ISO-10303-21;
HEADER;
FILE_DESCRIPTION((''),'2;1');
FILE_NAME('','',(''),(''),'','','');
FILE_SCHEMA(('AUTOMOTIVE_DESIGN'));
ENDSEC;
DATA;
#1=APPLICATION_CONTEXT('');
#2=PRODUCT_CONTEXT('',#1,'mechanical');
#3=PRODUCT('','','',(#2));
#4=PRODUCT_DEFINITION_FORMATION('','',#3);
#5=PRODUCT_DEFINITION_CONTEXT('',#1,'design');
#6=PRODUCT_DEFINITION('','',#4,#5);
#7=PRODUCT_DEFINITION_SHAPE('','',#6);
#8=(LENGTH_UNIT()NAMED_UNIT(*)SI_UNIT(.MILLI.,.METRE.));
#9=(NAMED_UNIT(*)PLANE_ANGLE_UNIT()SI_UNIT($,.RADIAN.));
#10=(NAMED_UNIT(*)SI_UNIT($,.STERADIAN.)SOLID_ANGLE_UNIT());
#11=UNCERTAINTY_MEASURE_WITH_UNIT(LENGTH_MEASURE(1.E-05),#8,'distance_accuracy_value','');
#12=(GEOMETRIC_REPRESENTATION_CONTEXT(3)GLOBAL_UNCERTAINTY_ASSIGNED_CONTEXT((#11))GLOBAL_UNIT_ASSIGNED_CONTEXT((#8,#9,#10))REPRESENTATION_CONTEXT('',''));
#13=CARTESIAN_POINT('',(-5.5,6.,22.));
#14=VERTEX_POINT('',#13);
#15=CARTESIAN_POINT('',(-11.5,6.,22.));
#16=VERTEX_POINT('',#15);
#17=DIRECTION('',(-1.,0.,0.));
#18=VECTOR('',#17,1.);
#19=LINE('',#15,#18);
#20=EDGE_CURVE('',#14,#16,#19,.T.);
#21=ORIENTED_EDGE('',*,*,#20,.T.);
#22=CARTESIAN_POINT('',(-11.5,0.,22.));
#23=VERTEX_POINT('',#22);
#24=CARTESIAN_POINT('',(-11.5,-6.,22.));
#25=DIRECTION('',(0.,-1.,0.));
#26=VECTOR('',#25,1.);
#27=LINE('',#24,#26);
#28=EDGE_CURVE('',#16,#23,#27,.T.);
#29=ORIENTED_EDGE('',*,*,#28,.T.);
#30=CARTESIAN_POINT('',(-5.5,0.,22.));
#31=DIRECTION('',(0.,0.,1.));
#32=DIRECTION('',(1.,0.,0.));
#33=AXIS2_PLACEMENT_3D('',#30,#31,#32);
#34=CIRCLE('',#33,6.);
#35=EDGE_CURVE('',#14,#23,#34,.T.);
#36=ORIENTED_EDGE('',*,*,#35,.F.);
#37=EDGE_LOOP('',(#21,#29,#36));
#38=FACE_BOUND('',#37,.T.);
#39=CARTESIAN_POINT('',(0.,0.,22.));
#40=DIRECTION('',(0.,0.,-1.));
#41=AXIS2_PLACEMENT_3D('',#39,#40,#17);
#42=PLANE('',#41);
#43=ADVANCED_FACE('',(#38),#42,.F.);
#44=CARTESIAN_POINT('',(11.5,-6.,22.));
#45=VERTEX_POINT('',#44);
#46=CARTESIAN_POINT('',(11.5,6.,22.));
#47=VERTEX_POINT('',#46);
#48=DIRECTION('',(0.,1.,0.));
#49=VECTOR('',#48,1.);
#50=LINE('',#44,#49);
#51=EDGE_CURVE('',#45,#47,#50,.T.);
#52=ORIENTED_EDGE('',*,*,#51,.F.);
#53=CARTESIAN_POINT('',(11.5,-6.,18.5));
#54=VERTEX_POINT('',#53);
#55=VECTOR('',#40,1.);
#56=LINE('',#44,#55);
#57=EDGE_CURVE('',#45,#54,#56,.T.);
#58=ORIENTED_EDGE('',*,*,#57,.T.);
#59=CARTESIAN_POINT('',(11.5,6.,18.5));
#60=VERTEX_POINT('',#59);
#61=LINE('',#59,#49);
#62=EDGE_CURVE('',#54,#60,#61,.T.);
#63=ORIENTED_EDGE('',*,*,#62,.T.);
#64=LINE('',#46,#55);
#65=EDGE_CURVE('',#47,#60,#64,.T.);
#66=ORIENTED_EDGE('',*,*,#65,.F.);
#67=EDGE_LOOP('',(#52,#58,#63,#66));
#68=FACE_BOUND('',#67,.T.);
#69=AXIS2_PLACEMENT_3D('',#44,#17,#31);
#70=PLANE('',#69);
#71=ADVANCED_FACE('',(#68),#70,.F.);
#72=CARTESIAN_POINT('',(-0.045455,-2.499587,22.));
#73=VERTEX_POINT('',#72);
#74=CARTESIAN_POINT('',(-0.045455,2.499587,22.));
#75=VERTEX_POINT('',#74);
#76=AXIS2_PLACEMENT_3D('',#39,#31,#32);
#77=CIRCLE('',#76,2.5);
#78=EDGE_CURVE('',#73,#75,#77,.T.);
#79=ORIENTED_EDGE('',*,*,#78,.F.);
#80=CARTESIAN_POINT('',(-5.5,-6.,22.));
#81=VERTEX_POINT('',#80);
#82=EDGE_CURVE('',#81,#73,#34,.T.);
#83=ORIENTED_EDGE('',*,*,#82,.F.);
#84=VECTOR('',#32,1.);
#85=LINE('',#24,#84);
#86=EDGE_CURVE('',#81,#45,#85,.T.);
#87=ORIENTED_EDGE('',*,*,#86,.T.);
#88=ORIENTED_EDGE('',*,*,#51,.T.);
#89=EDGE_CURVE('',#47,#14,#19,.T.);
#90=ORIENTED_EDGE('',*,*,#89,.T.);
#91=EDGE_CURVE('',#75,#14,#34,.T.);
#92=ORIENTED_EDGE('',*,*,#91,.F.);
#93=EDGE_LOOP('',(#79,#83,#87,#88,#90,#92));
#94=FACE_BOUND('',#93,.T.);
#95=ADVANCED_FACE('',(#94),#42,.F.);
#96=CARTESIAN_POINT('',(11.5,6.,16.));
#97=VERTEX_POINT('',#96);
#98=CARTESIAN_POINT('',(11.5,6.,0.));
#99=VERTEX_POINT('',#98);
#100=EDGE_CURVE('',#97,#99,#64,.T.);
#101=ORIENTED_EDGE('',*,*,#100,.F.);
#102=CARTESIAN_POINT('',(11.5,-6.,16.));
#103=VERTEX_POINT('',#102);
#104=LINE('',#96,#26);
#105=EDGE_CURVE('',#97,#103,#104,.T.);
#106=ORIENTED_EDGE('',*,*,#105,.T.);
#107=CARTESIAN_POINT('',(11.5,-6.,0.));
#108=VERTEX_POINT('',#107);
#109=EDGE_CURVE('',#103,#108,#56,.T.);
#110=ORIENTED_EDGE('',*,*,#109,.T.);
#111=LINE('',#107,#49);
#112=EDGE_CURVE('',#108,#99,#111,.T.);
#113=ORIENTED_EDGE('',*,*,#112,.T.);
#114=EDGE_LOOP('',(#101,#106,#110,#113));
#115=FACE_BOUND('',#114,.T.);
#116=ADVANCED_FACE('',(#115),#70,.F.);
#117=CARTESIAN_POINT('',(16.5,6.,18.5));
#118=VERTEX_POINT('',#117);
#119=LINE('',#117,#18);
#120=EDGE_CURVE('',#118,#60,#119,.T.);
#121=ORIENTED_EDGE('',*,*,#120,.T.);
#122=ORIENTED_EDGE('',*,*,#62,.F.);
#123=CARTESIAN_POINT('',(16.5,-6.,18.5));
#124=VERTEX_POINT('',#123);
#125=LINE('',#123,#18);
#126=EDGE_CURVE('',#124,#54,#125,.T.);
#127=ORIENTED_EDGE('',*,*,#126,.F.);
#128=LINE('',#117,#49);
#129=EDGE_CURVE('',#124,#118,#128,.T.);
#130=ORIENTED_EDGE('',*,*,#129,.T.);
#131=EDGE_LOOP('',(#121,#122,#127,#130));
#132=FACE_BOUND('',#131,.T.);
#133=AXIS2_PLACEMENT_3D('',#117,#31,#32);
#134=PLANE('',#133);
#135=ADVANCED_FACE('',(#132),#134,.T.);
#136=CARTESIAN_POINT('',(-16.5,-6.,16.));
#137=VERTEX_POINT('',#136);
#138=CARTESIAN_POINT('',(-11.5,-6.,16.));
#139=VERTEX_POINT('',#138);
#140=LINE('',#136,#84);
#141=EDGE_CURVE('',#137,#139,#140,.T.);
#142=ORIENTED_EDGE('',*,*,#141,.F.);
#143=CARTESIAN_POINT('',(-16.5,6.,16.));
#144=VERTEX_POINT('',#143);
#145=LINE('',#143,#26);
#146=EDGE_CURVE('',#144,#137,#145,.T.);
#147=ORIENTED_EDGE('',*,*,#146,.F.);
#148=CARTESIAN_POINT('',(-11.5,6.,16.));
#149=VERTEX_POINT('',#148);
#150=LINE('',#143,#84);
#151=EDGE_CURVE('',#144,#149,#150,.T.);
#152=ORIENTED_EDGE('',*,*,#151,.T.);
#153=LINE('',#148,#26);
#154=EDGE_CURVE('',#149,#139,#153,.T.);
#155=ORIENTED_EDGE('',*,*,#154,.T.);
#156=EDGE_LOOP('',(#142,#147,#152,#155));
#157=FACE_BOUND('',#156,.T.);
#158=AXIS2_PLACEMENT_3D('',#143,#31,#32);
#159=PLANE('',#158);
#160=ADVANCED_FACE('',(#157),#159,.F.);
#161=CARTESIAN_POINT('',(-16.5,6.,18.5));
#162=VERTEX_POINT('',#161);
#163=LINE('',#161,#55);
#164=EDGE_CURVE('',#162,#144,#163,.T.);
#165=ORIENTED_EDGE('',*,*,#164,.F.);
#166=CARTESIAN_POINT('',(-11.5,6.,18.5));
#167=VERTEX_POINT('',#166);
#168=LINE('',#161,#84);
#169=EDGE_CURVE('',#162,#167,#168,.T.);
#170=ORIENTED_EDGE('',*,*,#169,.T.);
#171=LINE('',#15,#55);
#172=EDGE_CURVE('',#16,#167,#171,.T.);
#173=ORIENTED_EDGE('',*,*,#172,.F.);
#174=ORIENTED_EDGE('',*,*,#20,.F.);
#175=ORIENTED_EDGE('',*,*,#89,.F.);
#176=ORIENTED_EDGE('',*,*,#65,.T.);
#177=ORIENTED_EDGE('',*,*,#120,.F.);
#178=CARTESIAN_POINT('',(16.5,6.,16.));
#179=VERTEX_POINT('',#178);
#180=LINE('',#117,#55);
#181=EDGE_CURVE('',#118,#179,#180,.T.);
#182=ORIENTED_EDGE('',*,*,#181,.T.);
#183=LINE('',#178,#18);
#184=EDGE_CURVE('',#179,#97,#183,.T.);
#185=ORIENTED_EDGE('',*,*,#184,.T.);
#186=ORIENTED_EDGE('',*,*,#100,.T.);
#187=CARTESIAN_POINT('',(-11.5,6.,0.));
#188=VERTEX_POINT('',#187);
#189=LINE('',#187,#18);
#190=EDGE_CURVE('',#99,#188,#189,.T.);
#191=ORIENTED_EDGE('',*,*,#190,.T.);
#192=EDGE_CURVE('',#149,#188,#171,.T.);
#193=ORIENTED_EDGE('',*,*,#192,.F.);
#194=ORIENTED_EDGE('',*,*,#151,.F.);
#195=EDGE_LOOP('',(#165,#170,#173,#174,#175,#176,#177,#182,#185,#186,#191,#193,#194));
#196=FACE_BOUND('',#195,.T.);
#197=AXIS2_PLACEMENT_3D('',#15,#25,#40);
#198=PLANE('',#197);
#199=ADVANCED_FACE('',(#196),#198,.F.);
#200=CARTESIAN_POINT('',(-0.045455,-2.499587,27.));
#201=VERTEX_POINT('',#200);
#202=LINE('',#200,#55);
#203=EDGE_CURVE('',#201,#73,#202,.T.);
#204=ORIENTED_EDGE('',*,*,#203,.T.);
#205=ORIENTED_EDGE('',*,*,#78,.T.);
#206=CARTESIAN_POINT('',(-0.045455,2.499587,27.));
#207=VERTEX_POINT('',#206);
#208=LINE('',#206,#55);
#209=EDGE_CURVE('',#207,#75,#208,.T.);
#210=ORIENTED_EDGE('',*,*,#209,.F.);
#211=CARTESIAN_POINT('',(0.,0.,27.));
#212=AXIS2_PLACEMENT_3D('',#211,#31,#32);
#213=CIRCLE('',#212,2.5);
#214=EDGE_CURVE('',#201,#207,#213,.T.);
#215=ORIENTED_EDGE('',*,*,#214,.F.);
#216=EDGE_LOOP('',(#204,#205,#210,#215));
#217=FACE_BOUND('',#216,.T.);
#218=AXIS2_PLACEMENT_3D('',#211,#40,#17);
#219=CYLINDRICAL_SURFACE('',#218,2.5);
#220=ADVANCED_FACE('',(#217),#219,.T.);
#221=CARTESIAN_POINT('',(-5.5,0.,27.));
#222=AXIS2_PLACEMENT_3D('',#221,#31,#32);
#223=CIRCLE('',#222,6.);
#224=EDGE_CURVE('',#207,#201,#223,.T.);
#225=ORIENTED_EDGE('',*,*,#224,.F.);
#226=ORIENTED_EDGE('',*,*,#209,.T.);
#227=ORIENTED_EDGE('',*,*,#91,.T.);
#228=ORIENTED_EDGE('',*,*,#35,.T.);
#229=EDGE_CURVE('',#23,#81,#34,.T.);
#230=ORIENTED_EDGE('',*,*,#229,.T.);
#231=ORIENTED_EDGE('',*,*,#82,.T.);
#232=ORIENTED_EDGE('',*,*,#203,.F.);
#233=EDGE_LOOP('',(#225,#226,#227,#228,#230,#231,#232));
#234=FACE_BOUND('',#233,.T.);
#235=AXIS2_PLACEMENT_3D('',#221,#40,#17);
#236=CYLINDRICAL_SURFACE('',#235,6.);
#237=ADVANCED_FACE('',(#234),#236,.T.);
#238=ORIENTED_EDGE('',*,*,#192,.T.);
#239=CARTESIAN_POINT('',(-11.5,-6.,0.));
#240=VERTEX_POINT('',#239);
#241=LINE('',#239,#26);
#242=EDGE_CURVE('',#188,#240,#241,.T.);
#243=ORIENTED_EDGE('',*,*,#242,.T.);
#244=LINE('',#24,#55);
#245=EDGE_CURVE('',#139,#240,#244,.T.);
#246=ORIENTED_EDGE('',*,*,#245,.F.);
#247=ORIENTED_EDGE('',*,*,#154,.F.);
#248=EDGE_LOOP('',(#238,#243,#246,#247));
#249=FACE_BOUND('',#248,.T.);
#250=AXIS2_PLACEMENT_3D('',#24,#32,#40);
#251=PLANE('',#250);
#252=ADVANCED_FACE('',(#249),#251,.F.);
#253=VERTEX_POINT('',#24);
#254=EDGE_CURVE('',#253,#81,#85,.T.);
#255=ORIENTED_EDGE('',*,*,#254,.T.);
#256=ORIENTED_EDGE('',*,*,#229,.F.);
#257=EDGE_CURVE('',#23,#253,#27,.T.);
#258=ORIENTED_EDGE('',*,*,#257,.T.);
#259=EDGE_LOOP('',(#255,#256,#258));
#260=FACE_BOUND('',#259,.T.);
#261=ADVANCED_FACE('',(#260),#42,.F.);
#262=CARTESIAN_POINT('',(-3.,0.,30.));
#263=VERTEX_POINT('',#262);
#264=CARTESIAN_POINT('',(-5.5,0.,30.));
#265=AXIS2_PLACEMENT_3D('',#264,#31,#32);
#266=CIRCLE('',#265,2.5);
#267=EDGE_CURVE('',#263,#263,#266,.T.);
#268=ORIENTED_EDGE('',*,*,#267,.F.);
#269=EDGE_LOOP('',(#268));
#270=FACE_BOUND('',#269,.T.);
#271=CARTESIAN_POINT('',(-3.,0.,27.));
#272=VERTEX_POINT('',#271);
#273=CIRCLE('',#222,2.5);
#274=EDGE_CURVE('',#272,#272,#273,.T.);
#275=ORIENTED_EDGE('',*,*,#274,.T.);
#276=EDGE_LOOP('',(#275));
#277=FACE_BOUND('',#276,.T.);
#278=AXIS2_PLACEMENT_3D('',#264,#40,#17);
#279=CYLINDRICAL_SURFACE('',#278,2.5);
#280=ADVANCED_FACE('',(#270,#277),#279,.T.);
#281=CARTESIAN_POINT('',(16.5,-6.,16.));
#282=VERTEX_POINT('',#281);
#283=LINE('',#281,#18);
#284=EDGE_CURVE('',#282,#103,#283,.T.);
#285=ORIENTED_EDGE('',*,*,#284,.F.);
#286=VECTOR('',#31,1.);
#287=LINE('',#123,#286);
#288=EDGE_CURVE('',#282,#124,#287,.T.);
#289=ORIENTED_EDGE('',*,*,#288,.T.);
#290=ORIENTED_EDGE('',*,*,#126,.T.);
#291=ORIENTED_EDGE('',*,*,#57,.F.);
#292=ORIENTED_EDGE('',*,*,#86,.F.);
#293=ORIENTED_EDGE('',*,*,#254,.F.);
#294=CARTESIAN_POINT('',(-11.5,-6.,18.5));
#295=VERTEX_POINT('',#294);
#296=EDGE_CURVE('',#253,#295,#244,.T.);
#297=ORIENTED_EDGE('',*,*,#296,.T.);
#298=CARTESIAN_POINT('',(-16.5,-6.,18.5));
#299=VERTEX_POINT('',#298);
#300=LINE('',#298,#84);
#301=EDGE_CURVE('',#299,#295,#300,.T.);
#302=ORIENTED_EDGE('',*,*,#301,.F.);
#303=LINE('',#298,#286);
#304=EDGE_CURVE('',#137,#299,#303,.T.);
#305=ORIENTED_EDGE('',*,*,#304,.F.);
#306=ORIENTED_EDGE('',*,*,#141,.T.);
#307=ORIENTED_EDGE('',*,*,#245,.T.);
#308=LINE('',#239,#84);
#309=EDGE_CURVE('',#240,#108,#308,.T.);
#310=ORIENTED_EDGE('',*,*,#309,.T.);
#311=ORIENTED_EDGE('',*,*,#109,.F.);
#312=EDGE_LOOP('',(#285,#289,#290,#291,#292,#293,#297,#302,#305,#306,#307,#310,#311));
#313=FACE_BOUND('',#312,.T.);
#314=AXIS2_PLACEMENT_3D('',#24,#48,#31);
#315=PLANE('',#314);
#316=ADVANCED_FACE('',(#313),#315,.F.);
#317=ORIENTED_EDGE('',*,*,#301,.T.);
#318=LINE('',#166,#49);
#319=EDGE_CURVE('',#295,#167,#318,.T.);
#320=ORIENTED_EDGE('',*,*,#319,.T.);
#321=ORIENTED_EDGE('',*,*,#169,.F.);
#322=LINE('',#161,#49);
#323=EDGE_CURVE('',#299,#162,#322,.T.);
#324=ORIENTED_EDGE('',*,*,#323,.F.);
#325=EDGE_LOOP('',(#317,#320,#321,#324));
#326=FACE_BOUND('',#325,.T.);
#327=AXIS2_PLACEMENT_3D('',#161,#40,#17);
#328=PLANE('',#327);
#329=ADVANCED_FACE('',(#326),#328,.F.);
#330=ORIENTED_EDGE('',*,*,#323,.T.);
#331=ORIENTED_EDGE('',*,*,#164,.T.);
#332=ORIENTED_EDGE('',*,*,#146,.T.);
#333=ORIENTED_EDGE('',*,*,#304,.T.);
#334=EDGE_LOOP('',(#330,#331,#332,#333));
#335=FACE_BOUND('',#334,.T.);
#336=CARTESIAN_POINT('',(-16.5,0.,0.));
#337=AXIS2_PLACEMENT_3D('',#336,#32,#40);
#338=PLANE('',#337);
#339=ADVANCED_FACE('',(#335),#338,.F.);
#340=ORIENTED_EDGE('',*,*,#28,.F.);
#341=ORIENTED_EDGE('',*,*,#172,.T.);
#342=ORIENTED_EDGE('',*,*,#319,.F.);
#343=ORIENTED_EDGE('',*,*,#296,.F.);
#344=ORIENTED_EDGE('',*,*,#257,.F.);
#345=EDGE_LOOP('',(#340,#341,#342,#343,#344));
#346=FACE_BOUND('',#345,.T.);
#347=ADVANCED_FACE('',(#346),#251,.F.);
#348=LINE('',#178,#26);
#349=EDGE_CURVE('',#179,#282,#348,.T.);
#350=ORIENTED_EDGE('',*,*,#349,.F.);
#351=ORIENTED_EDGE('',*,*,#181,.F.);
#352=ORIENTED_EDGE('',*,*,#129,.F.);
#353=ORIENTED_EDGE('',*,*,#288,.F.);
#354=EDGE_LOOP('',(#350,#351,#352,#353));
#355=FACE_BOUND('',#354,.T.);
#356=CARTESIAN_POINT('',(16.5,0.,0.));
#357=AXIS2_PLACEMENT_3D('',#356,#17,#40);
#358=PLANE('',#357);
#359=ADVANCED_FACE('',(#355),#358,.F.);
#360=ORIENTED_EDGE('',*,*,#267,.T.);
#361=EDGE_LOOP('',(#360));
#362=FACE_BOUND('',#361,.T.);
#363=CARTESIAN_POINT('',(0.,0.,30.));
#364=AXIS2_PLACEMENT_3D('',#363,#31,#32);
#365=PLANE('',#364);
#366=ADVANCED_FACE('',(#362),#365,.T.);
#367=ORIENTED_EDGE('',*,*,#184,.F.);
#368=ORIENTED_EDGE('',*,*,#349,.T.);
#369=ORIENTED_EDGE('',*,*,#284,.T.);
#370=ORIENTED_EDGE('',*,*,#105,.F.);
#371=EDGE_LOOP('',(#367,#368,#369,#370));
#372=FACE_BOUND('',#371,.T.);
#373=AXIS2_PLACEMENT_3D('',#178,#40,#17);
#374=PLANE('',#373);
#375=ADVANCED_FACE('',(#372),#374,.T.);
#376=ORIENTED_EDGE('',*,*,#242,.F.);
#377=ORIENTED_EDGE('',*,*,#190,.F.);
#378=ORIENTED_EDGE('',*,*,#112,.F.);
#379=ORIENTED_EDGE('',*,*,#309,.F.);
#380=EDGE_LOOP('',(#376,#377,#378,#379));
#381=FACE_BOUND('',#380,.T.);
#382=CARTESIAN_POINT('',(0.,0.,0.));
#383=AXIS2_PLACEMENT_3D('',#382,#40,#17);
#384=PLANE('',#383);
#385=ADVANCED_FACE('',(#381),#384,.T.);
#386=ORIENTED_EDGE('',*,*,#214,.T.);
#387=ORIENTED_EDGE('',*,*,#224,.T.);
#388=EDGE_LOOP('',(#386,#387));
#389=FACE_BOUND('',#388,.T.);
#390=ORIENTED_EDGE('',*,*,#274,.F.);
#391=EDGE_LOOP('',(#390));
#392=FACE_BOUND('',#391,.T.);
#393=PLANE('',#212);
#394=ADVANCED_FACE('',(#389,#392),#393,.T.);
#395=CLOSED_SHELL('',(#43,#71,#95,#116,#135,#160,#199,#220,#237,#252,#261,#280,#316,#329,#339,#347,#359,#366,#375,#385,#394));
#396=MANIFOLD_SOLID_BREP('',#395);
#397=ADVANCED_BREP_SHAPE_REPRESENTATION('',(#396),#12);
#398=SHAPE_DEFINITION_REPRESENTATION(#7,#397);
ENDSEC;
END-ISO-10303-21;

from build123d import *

# Parameters (mm, degrees)
ESQUISSE1_W        = 23
ESQUISSE1_H        = 12
BOSS_EXTRU_1_DEPTH = 22
ESQUISSE2_R        = 2.5
ESQUISSE2_R_2      = 6
BOSS_EXTRU_2_DEPTH = 5
ESQUISSE3_R        = 2.5
BOSS_EXTRU_3_DEPTH = 3
ESQUISSE4_W        = 2.5
ESQUISSE4_H        = 12
BOSS_EXTRU_4_DEPTH = 5


with BuildPart() as part:
    # Esquisse1 → Boss.-Extru.1 (new body)
    with BuildSketch(Plane.XY):
        Rectangle(ESQUISSE1_W, ESQUISSE1_H)
    extrude(amount=BOSS_EXTRU_1_DEPTH)

    # Esquisse2 → Boss.-Extru.2 (add)
    with BuildSketch(Plane.XY.offset(22)):
        Circle(ESQUISSE2_R)
        with Locations((-5.5, 0)):
            Circle(ESQUISSE2_R_2)
    extrude(amount=BOSS_EXTRU_2_DEPTH)

    # Esquisse3 → Boss.-Extru.3 (add)
    with BuildSketch(Plane.XY.offset(27)):
        with Locations((-5.5, 0)):
            Circle(ESQUISSE3_R)
    extrude(amount=BOSS_EXTRU_3_DEPTH)

    # Esquisse4 → Boss.-Extru.4 (add)
    with BuildSketch(Plane.ZY.offset(11.5)):
        with Locations((17.25, 0)):
            Rectangle(ESQUISSE4_W, ESQUISSE4_H)
    boss_extru_4 = extrude(amount=BOSS_EXTRU_4_DEPTH)

    # Symétrie1: Boss.-Extru.4 across plane
    add(boss_extru_4.mirror(Plane(origin=(0, 0, 0), x_dir=(0, 0, 1), z_dir=(1, 0, 0))))


solid = part.part
